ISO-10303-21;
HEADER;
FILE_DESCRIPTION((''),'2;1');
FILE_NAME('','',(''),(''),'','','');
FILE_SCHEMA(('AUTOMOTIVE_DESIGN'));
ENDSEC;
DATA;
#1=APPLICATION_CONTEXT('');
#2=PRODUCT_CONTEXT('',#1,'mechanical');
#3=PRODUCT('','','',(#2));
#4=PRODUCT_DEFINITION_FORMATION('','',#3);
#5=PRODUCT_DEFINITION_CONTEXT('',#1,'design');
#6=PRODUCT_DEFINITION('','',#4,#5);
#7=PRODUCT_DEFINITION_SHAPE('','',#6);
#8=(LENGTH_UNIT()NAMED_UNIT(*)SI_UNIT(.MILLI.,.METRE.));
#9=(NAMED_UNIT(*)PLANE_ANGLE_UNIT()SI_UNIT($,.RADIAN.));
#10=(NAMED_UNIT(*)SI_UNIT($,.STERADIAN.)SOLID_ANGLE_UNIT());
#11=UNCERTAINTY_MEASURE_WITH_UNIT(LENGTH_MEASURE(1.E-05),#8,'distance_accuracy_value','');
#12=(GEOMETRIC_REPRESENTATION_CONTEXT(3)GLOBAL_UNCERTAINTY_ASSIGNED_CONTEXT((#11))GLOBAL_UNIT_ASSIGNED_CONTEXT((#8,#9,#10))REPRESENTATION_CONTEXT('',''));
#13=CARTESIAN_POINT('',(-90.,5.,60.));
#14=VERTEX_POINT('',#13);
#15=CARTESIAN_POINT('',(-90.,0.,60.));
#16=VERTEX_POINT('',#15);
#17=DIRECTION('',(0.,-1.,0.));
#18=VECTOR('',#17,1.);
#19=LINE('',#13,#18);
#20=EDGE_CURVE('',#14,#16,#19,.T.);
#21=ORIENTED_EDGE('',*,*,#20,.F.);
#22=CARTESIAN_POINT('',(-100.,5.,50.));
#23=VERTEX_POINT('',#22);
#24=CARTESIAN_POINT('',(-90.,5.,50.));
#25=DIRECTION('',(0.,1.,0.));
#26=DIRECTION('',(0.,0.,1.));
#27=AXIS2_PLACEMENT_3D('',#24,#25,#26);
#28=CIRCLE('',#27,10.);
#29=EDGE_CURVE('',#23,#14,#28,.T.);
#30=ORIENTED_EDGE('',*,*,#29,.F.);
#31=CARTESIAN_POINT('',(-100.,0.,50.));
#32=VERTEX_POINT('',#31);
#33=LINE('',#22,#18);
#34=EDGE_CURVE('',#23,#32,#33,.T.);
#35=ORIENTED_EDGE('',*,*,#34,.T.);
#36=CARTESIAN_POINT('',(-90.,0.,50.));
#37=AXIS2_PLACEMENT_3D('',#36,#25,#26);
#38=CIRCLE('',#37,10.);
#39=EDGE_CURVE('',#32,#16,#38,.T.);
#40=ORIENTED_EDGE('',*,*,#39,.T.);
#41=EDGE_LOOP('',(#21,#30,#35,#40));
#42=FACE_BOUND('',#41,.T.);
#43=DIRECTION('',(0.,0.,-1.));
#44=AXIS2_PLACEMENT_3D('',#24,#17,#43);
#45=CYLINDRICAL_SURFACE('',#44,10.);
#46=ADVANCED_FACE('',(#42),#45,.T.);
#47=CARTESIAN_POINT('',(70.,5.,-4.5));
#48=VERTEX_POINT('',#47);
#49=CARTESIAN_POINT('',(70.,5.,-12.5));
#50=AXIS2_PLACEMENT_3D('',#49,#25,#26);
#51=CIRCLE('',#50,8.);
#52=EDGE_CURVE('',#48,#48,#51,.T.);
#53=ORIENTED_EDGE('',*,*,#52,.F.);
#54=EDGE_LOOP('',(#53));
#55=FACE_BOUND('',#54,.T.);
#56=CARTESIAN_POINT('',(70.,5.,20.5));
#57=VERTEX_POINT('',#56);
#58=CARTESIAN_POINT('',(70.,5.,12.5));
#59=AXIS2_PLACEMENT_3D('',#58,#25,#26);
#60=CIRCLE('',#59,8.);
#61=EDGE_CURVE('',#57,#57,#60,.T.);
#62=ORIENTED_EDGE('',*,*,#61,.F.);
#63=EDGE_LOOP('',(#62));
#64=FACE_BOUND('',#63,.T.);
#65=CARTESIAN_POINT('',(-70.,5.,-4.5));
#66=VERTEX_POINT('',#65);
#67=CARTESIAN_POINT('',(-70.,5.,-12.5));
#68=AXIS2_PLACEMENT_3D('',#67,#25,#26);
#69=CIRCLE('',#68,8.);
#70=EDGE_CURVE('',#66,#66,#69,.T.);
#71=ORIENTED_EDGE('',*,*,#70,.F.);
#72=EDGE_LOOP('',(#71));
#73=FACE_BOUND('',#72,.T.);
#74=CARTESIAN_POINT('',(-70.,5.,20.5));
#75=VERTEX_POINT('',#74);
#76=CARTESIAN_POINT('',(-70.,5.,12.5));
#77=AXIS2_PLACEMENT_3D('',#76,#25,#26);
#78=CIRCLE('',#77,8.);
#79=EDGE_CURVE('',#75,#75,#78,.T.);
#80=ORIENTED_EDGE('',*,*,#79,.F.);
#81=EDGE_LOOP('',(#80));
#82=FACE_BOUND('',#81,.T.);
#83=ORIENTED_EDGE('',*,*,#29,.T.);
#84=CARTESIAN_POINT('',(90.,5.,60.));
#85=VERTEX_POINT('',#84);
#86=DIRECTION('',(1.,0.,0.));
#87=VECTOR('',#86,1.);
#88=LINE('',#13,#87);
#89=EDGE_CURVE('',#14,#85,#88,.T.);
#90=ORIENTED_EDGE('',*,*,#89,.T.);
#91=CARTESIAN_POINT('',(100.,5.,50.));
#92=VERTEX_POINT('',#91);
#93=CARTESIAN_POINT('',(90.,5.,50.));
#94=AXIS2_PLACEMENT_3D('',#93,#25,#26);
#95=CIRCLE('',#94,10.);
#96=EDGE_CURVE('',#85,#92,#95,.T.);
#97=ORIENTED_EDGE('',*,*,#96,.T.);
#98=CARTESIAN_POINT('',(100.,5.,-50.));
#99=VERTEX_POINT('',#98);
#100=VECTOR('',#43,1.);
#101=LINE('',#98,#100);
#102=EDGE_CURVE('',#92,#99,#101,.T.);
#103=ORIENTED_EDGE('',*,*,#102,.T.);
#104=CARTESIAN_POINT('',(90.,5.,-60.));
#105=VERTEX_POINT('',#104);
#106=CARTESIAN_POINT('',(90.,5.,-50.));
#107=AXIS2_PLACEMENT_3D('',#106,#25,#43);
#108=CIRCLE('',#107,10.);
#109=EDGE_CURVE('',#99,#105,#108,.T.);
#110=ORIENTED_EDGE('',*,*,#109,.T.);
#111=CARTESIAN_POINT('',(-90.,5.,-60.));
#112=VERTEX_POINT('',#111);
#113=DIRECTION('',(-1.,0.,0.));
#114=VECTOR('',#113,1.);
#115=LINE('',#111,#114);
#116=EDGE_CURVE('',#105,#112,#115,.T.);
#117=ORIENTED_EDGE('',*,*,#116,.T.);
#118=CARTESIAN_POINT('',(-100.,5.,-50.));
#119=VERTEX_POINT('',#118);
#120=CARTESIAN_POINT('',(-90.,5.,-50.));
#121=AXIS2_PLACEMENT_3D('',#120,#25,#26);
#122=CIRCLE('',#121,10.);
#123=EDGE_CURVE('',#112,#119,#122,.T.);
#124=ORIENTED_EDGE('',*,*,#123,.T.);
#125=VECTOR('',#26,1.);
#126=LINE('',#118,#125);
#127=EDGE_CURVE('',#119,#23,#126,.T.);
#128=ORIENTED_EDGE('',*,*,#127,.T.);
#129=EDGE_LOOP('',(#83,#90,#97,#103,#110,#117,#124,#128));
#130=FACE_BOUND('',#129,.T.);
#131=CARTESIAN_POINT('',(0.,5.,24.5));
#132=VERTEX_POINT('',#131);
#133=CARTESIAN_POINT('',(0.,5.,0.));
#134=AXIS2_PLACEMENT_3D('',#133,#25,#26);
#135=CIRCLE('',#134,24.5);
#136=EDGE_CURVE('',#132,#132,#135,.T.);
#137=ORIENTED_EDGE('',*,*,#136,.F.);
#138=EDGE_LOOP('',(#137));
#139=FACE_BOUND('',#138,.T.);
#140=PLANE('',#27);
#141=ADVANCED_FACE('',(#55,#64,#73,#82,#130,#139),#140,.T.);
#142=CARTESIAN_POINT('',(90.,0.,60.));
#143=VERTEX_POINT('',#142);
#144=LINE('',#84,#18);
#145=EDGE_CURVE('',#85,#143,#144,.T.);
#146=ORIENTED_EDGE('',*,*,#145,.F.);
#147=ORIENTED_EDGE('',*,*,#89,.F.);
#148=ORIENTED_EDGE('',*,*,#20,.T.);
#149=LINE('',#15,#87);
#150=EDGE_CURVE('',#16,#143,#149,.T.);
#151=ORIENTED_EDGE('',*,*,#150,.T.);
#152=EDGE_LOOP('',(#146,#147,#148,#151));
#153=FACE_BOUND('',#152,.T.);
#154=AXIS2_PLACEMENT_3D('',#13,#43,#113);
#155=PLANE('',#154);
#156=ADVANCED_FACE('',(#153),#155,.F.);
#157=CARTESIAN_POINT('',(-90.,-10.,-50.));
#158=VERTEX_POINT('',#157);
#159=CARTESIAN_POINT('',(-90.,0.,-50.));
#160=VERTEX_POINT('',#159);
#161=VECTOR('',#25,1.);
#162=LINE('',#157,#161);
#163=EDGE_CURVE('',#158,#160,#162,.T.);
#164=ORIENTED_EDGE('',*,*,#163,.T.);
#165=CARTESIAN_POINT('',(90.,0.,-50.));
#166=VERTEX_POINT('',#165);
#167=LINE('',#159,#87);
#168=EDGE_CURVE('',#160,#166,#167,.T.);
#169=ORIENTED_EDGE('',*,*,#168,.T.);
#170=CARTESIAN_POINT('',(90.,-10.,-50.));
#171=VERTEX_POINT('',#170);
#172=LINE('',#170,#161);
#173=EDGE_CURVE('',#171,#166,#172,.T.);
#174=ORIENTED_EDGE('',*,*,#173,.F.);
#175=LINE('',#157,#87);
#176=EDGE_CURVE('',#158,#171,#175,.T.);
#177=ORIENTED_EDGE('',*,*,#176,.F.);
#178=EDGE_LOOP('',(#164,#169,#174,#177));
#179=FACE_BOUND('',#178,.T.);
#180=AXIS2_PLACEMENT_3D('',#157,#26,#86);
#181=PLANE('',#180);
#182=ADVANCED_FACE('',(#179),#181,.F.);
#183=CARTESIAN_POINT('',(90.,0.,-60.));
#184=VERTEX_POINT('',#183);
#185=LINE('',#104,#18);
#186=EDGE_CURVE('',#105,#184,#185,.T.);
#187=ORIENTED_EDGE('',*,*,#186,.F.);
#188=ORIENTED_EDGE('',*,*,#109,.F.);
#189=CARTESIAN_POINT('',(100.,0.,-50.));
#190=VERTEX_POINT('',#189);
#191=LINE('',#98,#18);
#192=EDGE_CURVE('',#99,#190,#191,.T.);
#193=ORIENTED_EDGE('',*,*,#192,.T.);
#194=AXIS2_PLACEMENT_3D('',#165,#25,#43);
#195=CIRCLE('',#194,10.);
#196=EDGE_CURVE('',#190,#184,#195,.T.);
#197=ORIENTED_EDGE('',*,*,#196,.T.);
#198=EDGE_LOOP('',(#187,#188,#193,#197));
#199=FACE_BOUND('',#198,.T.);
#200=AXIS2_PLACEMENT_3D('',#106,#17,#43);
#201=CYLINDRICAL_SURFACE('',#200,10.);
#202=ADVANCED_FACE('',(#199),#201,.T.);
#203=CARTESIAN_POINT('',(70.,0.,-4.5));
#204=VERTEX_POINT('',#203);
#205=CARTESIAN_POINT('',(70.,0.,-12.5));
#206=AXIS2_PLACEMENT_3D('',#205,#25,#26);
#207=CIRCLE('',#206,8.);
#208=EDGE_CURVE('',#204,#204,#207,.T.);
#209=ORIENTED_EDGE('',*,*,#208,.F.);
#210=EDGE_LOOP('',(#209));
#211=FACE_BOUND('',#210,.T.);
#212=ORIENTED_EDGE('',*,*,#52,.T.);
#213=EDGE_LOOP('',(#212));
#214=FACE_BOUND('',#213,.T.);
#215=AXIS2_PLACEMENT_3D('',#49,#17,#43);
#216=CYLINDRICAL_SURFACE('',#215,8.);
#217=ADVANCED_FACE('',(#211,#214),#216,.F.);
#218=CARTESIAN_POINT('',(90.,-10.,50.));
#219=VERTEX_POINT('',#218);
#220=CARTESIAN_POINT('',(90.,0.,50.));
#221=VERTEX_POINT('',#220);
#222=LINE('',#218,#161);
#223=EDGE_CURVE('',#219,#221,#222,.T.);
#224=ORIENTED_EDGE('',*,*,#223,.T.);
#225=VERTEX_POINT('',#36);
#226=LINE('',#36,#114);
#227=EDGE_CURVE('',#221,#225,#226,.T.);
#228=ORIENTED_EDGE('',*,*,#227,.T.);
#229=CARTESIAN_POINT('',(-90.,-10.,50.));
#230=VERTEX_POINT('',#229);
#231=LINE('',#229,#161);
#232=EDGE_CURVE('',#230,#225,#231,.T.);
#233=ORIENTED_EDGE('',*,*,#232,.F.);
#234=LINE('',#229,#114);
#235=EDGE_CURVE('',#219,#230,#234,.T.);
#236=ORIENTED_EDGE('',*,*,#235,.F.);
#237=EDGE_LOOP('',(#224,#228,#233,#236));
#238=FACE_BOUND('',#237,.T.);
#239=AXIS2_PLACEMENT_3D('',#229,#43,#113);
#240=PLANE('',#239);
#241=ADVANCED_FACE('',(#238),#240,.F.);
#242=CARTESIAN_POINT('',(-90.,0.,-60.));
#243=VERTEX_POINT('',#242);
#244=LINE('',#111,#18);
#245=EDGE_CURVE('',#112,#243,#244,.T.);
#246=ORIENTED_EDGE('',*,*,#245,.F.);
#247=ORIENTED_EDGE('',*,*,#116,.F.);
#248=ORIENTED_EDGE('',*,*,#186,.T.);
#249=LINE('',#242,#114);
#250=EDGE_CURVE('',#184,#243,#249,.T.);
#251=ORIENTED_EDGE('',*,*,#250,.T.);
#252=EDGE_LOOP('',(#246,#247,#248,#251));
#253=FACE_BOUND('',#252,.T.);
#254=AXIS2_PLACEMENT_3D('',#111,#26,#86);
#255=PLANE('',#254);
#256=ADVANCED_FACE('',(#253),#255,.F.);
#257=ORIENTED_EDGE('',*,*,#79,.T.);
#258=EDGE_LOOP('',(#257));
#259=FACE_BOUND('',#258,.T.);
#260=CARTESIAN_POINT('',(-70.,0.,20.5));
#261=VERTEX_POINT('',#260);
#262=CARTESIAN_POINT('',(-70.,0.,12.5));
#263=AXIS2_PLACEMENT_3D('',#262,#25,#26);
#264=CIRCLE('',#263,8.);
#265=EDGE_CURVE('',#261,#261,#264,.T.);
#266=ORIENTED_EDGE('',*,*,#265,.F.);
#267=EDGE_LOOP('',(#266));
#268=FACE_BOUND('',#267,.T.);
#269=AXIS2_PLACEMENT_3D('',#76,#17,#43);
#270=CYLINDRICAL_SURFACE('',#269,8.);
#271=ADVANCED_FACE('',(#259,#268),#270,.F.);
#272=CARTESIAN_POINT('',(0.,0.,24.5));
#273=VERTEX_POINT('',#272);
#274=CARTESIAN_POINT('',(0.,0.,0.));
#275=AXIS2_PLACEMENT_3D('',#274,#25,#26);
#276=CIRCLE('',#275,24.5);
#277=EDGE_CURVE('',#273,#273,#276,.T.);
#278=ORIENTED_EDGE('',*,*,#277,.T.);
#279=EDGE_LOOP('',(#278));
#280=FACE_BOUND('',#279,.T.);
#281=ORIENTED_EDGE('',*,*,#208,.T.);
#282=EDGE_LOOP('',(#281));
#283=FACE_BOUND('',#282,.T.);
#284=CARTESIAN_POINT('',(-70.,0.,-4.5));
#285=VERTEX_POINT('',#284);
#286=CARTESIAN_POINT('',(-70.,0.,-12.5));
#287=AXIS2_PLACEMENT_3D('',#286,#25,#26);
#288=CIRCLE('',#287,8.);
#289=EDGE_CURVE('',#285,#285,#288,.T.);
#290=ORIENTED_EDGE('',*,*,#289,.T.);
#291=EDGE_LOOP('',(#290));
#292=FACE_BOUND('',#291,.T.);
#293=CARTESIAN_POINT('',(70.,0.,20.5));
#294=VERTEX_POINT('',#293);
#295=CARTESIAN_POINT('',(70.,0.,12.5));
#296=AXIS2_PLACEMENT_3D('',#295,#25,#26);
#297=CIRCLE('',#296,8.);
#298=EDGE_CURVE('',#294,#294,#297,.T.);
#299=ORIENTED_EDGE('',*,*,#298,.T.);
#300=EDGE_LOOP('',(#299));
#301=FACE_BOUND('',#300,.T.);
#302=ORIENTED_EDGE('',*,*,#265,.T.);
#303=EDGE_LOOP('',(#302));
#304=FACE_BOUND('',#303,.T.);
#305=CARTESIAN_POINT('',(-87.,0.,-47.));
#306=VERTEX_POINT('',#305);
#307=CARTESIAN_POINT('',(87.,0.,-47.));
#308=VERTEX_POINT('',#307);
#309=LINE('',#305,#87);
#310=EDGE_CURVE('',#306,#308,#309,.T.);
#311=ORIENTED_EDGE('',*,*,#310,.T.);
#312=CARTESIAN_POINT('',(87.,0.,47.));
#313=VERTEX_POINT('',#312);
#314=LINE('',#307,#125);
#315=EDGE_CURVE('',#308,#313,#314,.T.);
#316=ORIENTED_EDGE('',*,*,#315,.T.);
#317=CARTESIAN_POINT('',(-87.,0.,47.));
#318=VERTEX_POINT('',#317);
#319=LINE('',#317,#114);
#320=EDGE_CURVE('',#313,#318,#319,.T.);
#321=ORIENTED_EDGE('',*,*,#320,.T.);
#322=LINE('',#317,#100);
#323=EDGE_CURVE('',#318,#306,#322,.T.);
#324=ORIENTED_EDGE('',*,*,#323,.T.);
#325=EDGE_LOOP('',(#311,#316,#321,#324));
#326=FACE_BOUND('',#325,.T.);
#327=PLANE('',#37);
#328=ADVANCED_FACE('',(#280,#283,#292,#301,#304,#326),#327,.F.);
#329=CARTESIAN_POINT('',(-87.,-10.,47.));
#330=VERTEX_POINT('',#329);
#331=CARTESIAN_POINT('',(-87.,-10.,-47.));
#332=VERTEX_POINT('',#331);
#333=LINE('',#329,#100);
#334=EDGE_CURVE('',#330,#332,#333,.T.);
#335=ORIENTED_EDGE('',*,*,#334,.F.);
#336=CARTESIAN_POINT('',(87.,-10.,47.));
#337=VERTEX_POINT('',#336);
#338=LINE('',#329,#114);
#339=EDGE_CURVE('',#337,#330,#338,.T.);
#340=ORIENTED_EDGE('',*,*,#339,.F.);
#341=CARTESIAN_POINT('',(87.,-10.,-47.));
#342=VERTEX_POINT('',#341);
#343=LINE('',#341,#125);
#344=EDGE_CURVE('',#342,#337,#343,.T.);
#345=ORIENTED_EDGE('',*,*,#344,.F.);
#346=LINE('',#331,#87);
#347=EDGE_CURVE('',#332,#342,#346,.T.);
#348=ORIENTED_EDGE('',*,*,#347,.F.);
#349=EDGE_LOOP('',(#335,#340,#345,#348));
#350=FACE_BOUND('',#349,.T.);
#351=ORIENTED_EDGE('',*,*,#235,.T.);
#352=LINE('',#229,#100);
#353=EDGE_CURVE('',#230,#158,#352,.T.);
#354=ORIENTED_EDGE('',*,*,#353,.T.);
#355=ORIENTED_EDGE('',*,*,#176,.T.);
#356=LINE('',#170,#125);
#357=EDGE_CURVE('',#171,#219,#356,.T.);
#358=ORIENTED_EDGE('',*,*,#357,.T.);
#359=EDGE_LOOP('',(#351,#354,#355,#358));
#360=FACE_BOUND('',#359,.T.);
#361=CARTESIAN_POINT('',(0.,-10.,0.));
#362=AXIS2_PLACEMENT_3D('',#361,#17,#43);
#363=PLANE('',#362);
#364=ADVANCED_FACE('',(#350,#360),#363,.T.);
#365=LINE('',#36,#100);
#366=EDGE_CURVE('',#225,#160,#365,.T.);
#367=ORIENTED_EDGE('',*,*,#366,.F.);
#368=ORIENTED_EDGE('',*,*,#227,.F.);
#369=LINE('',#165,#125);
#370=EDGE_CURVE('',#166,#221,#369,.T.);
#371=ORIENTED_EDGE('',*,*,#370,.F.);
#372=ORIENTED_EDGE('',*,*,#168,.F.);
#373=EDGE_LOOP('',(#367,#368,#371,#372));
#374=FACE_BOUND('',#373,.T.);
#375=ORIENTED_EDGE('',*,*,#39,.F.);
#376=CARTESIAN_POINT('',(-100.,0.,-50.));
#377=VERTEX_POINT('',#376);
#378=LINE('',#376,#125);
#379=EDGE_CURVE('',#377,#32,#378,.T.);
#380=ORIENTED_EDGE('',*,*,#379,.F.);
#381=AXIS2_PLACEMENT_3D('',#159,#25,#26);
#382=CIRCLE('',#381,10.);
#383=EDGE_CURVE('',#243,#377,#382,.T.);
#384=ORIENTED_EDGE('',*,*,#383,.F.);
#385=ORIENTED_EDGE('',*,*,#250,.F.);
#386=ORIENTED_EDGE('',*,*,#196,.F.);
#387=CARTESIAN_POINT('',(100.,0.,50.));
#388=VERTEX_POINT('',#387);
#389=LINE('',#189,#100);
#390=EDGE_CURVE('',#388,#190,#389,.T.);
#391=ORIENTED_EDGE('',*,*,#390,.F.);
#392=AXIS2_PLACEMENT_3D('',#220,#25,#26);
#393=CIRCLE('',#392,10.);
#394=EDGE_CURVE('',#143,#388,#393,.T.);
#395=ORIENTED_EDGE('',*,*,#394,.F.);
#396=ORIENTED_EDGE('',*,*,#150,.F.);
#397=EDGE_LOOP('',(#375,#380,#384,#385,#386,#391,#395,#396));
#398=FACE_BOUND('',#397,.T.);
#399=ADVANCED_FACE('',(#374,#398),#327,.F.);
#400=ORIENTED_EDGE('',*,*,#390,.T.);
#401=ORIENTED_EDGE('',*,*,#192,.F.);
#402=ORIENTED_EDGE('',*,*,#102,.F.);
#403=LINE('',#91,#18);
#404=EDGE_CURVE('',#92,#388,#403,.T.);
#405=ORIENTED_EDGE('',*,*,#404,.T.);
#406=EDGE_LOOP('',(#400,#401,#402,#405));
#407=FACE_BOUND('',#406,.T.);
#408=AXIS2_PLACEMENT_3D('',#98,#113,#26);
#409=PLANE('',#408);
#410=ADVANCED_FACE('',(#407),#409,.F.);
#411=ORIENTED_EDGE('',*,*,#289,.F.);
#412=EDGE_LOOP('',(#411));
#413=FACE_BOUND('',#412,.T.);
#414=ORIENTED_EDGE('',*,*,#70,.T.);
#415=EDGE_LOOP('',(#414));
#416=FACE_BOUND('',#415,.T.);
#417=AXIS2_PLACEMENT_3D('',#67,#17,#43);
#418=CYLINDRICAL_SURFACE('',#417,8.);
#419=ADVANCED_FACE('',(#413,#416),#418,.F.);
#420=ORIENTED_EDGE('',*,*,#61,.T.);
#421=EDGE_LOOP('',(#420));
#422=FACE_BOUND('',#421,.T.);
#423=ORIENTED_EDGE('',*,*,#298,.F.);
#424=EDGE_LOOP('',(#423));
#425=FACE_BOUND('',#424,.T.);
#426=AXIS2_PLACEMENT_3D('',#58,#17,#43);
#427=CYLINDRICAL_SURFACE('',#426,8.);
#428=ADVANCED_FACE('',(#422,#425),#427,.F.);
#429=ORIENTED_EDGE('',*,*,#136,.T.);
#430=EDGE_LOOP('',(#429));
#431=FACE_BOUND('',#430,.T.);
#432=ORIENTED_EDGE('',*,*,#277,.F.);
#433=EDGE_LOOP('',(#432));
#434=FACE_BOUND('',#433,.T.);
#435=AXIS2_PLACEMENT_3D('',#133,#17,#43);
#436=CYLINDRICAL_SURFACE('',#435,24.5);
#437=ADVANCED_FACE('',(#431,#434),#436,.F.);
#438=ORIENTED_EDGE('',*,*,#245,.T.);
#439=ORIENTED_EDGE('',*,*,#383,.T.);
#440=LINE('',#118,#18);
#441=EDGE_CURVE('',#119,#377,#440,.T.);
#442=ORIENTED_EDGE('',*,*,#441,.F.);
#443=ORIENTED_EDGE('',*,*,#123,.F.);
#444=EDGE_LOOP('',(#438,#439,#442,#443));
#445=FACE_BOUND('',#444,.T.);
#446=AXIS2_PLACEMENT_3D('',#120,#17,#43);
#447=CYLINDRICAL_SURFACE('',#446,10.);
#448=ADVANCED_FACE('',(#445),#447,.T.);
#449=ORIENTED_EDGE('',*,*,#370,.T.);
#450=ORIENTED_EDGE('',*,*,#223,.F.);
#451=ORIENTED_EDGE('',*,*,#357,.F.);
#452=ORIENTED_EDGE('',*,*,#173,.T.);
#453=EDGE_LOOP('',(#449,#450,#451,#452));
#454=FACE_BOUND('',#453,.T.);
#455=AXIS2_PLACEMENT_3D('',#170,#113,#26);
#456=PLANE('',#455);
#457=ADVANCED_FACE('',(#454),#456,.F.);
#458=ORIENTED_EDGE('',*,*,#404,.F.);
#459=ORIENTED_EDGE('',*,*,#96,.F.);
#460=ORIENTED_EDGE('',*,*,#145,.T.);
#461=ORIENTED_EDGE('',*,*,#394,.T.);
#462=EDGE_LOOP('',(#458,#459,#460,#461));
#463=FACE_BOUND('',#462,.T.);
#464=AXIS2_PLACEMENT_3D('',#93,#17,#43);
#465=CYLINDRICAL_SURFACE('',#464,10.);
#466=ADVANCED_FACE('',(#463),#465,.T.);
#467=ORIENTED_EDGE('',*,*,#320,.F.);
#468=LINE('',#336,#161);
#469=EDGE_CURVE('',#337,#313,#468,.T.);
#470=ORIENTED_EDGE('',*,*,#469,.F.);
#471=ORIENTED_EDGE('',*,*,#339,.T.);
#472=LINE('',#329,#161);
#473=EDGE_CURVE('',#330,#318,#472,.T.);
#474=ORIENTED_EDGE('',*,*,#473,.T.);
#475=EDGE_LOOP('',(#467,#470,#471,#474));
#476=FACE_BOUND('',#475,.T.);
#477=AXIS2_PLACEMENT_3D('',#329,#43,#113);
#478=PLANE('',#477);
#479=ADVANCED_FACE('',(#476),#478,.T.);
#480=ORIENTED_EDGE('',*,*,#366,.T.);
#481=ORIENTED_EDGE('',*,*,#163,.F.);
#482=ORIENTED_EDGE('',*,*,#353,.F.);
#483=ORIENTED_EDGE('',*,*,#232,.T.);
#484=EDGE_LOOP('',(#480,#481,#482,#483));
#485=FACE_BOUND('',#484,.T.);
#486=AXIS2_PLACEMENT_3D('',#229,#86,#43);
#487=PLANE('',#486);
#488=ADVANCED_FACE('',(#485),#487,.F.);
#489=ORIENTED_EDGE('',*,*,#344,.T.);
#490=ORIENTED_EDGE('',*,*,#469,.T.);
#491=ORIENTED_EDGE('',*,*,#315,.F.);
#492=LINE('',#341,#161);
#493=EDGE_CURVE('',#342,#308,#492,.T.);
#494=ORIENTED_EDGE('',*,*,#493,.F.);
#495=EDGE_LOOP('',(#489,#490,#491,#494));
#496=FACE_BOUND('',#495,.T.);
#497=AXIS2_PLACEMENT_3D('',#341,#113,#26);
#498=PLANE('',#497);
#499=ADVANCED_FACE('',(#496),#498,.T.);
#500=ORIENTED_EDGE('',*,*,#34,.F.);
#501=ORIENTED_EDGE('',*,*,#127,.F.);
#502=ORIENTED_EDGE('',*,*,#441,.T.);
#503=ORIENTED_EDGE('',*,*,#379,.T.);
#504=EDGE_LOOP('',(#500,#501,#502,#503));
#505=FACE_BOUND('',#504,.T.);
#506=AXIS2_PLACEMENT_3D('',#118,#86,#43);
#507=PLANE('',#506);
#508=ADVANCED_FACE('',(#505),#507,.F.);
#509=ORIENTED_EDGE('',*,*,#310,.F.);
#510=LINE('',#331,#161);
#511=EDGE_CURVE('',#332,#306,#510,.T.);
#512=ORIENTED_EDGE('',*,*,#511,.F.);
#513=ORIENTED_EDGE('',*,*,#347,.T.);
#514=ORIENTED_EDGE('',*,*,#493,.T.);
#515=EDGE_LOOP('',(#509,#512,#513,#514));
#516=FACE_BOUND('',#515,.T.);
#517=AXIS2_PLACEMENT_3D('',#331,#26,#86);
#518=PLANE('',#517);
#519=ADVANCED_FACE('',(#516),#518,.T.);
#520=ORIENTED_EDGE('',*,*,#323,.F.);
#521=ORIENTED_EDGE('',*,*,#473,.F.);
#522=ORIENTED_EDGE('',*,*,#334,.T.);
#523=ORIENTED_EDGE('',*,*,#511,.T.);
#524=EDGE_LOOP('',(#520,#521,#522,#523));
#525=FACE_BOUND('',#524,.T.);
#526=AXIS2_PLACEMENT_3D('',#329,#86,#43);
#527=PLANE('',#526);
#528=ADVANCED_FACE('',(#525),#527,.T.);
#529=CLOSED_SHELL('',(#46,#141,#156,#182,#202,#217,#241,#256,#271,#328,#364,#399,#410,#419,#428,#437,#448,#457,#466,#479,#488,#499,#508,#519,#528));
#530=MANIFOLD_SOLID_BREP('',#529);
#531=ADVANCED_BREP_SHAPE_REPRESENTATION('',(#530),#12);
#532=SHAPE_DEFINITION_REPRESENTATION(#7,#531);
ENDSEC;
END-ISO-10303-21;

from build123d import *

# Parameters (mm, degrees)
SKETCH1_R           = 24.5
SKETCH1_R_2         = 8
BOSS_EXTRUDE1_DEPTH = 5
SKETCH2_W           = 180
SKETCH2_H           = 100
SKETCH2_W_2         = 174
SKETCH2_H_2         = 94
BOSS_EXTRUDE2_DEPTH = 10


with BuildPart() as part:
    # Sketch1 → Boss-Extrude1 (new body)
    with BuildSketch(Plane(origin=(0, 0, 0), x_dir=(1, 0, 0), z_dir=(0, 1, 0))):
        with BuildLine():
            Line((-90, 60), (90, 60))
            ThreePointArc((90, 60), (97.071067812, 57.071067812), (100, 50))
            Line((100, 50), (100, -50))
            ThreePointArc((100, -50), (97.071067812, -57.071067812), (90, -60))
            Line((90, -60), (-90, -60))
            ThreePointArc((-90, -60), (-97.071067812, -57.071067812), (-100, -50))
            Line((-100, -50), (-100, 50))
            ThreePointArc((-100, 50), (-97.071067812, 57.071067812), (-90, 60))
        make_face()
        Circle(SKETCH1_R, mode=Mode.SUBTRACT)
        with Locations((-70, 12.5)):
            Circle(SKETCH1_R_2, mode=Mode.SUBTRACT)
        with Locations((-70, -12.5)):
            Circle(SKETCH1_R_2, mode=Mode.SUBTRACT)
        with Locations((70, 12.5)):
            Circle(SKETCH1_R_2, mode=Mode.SUBTRACT)
        with Locations((70, -12.5)):
            Circle(SKETCH1_R_2, mode=Mode.SUBTRACT)
    extrude(amount=BOSS_EXTRUDE1_DEPTH)

    # Sketch2 → Boss-Extrude2 (add)
    with BuildSketch(Plane.XZ):
        Rectangle(SKETCH2_W, SKETCH2_H)
        Rectangle(SKETCH2_W_2, SKETCH2_H_2, mode=Mode.SUBTRACT)
    extrude(amount=BOSS_EXTRUDE2_DEPTH)


solid = part.part
